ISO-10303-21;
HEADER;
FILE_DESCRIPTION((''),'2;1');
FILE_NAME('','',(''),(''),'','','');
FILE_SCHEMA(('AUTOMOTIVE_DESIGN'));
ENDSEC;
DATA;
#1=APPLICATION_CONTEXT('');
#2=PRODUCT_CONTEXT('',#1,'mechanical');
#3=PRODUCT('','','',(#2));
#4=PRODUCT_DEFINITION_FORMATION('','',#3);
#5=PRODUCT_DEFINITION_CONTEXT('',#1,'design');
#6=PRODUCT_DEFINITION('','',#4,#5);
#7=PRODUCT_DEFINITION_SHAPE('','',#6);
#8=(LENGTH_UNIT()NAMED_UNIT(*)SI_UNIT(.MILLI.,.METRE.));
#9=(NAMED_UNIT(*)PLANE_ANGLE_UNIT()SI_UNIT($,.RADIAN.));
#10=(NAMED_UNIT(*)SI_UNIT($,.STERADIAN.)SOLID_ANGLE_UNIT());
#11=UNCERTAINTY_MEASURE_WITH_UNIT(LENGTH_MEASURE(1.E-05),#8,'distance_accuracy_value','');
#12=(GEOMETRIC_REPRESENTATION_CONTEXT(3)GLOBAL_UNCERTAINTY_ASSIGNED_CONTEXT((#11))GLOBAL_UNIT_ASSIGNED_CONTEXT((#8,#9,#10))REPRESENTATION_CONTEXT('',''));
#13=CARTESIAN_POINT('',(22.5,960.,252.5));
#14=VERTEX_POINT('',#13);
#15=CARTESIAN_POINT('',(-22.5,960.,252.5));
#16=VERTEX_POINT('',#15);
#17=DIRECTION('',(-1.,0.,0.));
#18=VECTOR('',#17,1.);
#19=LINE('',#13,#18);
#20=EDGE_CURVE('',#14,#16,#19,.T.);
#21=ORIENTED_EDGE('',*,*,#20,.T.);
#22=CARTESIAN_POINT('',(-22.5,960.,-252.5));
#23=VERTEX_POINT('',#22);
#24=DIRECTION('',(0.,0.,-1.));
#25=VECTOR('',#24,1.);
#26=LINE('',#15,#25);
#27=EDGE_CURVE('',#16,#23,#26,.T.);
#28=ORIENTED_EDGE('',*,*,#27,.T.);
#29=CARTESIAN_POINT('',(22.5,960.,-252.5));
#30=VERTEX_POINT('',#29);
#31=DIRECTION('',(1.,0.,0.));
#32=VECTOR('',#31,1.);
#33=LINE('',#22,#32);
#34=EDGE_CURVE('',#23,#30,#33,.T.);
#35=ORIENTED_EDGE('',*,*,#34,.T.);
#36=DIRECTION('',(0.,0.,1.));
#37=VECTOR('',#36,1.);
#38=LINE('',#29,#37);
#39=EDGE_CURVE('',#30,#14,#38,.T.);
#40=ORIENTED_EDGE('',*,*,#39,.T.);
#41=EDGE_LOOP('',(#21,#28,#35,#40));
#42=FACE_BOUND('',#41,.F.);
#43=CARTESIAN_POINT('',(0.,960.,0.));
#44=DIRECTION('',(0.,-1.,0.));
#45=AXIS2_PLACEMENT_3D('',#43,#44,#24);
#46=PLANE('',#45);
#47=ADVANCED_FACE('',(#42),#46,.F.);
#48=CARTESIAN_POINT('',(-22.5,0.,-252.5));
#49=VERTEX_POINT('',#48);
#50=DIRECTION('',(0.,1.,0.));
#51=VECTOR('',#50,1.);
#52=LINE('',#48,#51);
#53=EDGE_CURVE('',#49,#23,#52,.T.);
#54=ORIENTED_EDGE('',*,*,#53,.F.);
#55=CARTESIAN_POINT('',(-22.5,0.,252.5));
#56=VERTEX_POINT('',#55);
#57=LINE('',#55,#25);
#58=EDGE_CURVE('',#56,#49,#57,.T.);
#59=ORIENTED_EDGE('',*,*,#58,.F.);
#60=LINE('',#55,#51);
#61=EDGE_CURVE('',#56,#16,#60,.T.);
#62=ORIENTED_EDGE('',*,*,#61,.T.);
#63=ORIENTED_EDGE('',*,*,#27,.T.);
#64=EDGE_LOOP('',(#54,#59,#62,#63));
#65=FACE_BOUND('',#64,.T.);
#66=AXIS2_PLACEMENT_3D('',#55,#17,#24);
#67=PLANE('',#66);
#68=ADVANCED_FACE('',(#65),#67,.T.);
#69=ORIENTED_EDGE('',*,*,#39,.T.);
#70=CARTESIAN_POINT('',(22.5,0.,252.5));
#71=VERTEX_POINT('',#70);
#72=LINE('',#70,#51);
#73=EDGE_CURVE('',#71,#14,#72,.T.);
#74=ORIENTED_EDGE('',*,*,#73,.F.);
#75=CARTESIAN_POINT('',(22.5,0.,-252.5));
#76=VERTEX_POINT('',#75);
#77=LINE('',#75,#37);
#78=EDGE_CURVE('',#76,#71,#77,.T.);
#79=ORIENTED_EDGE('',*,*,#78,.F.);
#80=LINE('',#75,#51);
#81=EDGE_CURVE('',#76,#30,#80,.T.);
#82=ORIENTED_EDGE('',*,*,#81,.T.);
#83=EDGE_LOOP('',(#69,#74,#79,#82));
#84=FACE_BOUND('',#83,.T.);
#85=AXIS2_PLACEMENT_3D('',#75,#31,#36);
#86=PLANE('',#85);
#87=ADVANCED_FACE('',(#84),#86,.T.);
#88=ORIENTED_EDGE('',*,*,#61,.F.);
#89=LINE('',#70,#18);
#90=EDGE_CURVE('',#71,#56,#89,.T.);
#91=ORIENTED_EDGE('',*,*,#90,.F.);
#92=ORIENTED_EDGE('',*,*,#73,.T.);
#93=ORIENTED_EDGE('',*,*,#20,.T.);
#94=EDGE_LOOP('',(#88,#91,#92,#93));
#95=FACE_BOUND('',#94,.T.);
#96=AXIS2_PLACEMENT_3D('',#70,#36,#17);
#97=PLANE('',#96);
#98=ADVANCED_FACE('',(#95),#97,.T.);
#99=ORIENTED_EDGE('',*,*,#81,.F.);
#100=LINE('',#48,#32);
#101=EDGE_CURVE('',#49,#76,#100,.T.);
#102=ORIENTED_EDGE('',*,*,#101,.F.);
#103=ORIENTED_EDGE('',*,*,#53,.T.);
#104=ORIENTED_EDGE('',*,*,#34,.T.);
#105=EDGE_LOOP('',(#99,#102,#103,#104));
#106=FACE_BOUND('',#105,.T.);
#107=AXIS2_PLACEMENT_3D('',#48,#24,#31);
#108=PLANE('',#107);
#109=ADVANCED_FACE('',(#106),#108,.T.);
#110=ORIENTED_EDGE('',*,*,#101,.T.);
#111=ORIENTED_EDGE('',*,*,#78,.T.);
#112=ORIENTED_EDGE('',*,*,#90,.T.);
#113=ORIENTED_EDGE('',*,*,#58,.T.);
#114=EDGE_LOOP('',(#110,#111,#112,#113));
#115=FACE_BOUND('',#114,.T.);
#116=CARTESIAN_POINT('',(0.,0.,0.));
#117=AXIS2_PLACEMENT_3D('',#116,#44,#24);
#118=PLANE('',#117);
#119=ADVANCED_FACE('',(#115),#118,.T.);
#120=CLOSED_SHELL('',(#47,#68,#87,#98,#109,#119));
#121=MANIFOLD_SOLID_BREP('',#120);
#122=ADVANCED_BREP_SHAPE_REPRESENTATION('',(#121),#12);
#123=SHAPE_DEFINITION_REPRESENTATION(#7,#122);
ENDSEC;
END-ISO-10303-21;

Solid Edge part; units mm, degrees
sketch "Sketch1" plane through (0, 0, 0) normal (0, -1, 0) x (1, 0, 0)
  line L0 (-22.5, -252.5) -> (22.5, -252.5)
  line L1 (22.5, -252.5) -> (22.5, 252.5)
  line L2 (22.5, 252.5) -> (-22.5, 252.5)
  line L3 (-22.5, 252.5) -> (-22.5, -252.5)
extrude "Protrusion1" add sketch "Sketch1" against normal blind 960
